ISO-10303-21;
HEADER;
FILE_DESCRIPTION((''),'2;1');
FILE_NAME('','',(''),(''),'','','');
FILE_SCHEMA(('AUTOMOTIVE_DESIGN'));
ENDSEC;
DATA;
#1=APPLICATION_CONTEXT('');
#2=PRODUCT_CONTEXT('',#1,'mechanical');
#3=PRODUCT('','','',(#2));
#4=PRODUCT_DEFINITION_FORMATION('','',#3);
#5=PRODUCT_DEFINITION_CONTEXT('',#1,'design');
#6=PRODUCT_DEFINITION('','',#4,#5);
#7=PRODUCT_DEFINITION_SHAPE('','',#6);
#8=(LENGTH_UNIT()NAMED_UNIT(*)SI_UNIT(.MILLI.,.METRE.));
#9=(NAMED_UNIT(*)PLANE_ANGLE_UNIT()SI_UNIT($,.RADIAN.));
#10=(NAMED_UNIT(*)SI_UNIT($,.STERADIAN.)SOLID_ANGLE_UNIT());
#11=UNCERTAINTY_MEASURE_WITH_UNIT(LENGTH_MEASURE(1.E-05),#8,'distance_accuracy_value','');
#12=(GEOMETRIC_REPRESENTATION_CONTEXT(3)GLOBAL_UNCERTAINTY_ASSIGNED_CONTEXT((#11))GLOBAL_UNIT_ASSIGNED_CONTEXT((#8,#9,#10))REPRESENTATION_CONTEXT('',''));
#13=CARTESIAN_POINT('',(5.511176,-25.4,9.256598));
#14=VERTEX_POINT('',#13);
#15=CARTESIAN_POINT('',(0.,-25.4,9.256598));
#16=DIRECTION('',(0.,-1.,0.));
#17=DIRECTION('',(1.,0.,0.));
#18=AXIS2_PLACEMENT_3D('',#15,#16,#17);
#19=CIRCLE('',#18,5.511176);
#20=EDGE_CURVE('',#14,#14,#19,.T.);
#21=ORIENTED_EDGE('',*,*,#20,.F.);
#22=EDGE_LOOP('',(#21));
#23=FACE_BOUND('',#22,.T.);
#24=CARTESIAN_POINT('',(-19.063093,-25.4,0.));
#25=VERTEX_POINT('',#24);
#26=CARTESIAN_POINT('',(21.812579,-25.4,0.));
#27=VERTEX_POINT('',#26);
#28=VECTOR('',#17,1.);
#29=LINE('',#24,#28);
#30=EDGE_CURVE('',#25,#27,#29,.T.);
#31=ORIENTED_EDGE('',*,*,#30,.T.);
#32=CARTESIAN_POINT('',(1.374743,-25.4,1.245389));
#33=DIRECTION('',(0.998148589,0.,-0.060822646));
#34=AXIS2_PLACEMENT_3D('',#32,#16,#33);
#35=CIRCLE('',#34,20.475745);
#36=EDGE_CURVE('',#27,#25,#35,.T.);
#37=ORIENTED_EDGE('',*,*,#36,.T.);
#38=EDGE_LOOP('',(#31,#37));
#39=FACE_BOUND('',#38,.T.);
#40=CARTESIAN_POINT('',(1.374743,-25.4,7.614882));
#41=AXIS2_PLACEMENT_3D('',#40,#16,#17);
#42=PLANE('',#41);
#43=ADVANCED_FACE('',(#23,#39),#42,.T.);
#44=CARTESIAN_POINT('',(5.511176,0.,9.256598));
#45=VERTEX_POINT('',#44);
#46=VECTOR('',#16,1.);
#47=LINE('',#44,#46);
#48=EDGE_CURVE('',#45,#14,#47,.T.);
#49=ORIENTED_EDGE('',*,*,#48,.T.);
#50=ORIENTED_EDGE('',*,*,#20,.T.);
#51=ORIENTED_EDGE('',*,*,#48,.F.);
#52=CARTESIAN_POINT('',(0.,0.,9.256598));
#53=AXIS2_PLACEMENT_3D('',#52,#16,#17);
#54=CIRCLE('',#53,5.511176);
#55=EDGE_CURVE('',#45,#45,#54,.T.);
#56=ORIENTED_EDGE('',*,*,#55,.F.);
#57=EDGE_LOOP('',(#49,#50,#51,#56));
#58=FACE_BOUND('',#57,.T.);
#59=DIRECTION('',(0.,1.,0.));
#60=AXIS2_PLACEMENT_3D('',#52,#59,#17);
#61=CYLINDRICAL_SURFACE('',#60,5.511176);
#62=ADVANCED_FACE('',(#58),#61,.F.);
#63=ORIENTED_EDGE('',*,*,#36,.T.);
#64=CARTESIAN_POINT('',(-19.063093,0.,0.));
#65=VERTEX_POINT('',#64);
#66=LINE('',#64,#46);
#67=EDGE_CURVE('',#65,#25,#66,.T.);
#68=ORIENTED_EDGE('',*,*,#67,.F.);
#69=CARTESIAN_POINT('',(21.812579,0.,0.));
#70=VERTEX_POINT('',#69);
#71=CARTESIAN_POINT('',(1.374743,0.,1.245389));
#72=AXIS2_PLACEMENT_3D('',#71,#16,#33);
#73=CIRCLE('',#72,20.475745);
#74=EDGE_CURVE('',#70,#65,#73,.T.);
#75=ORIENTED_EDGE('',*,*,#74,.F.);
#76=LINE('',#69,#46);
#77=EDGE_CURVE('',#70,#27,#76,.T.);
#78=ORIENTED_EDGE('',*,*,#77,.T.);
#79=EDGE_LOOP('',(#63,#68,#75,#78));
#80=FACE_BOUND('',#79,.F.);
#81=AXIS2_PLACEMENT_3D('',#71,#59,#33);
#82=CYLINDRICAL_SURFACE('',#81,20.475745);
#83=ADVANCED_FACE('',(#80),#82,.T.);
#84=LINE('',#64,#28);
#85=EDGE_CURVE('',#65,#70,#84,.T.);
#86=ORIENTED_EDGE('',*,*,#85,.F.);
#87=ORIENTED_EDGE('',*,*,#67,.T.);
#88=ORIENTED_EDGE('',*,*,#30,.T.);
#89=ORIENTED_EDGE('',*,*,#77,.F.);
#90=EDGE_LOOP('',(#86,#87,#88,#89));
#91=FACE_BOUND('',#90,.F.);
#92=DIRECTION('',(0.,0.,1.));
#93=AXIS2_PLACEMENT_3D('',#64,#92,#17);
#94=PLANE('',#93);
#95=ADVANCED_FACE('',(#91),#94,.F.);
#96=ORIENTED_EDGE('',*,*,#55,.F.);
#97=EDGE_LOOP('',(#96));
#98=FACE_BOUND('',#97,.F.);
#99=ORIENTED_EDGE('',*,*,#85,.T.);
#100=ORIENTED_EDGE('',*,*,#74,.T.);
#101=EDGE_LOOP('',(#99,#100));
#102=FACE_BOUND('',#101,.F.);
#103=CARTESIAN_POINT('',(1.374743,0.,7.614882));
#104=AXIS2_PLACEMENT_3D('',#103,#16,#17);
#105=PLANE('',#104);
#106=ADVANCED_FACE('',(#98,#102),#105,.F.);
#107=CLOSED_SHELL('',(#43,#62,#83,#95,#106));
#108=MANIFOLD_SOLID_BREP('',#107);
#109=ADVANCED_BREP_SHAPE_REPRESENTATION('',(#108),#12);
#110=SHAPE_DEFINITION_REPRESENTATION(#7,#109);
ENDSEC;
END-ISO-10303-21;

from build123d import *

# Parameters (mm, degrees)
F0_R     = 5.511176
F1_DEPTH = 25.4


with BuildPart() as f1:
    # F0 (on Front) → F1 (new body)
    with BuildSketch(Plane.XZ):
        with BuildLine():
            ThreePointArc((21.812579, 0), (1.374743, 21.721134), (-19.063093, 0))
            Line((-19.063093, 0), (21.812579, 0))
        make_face()
        with Locations((0, 9.256598)):
            Circle(F0_R, mode=Mode.SUBTRACT)
    extrude(amount=F1_DEPTH)


solid = f1.part
